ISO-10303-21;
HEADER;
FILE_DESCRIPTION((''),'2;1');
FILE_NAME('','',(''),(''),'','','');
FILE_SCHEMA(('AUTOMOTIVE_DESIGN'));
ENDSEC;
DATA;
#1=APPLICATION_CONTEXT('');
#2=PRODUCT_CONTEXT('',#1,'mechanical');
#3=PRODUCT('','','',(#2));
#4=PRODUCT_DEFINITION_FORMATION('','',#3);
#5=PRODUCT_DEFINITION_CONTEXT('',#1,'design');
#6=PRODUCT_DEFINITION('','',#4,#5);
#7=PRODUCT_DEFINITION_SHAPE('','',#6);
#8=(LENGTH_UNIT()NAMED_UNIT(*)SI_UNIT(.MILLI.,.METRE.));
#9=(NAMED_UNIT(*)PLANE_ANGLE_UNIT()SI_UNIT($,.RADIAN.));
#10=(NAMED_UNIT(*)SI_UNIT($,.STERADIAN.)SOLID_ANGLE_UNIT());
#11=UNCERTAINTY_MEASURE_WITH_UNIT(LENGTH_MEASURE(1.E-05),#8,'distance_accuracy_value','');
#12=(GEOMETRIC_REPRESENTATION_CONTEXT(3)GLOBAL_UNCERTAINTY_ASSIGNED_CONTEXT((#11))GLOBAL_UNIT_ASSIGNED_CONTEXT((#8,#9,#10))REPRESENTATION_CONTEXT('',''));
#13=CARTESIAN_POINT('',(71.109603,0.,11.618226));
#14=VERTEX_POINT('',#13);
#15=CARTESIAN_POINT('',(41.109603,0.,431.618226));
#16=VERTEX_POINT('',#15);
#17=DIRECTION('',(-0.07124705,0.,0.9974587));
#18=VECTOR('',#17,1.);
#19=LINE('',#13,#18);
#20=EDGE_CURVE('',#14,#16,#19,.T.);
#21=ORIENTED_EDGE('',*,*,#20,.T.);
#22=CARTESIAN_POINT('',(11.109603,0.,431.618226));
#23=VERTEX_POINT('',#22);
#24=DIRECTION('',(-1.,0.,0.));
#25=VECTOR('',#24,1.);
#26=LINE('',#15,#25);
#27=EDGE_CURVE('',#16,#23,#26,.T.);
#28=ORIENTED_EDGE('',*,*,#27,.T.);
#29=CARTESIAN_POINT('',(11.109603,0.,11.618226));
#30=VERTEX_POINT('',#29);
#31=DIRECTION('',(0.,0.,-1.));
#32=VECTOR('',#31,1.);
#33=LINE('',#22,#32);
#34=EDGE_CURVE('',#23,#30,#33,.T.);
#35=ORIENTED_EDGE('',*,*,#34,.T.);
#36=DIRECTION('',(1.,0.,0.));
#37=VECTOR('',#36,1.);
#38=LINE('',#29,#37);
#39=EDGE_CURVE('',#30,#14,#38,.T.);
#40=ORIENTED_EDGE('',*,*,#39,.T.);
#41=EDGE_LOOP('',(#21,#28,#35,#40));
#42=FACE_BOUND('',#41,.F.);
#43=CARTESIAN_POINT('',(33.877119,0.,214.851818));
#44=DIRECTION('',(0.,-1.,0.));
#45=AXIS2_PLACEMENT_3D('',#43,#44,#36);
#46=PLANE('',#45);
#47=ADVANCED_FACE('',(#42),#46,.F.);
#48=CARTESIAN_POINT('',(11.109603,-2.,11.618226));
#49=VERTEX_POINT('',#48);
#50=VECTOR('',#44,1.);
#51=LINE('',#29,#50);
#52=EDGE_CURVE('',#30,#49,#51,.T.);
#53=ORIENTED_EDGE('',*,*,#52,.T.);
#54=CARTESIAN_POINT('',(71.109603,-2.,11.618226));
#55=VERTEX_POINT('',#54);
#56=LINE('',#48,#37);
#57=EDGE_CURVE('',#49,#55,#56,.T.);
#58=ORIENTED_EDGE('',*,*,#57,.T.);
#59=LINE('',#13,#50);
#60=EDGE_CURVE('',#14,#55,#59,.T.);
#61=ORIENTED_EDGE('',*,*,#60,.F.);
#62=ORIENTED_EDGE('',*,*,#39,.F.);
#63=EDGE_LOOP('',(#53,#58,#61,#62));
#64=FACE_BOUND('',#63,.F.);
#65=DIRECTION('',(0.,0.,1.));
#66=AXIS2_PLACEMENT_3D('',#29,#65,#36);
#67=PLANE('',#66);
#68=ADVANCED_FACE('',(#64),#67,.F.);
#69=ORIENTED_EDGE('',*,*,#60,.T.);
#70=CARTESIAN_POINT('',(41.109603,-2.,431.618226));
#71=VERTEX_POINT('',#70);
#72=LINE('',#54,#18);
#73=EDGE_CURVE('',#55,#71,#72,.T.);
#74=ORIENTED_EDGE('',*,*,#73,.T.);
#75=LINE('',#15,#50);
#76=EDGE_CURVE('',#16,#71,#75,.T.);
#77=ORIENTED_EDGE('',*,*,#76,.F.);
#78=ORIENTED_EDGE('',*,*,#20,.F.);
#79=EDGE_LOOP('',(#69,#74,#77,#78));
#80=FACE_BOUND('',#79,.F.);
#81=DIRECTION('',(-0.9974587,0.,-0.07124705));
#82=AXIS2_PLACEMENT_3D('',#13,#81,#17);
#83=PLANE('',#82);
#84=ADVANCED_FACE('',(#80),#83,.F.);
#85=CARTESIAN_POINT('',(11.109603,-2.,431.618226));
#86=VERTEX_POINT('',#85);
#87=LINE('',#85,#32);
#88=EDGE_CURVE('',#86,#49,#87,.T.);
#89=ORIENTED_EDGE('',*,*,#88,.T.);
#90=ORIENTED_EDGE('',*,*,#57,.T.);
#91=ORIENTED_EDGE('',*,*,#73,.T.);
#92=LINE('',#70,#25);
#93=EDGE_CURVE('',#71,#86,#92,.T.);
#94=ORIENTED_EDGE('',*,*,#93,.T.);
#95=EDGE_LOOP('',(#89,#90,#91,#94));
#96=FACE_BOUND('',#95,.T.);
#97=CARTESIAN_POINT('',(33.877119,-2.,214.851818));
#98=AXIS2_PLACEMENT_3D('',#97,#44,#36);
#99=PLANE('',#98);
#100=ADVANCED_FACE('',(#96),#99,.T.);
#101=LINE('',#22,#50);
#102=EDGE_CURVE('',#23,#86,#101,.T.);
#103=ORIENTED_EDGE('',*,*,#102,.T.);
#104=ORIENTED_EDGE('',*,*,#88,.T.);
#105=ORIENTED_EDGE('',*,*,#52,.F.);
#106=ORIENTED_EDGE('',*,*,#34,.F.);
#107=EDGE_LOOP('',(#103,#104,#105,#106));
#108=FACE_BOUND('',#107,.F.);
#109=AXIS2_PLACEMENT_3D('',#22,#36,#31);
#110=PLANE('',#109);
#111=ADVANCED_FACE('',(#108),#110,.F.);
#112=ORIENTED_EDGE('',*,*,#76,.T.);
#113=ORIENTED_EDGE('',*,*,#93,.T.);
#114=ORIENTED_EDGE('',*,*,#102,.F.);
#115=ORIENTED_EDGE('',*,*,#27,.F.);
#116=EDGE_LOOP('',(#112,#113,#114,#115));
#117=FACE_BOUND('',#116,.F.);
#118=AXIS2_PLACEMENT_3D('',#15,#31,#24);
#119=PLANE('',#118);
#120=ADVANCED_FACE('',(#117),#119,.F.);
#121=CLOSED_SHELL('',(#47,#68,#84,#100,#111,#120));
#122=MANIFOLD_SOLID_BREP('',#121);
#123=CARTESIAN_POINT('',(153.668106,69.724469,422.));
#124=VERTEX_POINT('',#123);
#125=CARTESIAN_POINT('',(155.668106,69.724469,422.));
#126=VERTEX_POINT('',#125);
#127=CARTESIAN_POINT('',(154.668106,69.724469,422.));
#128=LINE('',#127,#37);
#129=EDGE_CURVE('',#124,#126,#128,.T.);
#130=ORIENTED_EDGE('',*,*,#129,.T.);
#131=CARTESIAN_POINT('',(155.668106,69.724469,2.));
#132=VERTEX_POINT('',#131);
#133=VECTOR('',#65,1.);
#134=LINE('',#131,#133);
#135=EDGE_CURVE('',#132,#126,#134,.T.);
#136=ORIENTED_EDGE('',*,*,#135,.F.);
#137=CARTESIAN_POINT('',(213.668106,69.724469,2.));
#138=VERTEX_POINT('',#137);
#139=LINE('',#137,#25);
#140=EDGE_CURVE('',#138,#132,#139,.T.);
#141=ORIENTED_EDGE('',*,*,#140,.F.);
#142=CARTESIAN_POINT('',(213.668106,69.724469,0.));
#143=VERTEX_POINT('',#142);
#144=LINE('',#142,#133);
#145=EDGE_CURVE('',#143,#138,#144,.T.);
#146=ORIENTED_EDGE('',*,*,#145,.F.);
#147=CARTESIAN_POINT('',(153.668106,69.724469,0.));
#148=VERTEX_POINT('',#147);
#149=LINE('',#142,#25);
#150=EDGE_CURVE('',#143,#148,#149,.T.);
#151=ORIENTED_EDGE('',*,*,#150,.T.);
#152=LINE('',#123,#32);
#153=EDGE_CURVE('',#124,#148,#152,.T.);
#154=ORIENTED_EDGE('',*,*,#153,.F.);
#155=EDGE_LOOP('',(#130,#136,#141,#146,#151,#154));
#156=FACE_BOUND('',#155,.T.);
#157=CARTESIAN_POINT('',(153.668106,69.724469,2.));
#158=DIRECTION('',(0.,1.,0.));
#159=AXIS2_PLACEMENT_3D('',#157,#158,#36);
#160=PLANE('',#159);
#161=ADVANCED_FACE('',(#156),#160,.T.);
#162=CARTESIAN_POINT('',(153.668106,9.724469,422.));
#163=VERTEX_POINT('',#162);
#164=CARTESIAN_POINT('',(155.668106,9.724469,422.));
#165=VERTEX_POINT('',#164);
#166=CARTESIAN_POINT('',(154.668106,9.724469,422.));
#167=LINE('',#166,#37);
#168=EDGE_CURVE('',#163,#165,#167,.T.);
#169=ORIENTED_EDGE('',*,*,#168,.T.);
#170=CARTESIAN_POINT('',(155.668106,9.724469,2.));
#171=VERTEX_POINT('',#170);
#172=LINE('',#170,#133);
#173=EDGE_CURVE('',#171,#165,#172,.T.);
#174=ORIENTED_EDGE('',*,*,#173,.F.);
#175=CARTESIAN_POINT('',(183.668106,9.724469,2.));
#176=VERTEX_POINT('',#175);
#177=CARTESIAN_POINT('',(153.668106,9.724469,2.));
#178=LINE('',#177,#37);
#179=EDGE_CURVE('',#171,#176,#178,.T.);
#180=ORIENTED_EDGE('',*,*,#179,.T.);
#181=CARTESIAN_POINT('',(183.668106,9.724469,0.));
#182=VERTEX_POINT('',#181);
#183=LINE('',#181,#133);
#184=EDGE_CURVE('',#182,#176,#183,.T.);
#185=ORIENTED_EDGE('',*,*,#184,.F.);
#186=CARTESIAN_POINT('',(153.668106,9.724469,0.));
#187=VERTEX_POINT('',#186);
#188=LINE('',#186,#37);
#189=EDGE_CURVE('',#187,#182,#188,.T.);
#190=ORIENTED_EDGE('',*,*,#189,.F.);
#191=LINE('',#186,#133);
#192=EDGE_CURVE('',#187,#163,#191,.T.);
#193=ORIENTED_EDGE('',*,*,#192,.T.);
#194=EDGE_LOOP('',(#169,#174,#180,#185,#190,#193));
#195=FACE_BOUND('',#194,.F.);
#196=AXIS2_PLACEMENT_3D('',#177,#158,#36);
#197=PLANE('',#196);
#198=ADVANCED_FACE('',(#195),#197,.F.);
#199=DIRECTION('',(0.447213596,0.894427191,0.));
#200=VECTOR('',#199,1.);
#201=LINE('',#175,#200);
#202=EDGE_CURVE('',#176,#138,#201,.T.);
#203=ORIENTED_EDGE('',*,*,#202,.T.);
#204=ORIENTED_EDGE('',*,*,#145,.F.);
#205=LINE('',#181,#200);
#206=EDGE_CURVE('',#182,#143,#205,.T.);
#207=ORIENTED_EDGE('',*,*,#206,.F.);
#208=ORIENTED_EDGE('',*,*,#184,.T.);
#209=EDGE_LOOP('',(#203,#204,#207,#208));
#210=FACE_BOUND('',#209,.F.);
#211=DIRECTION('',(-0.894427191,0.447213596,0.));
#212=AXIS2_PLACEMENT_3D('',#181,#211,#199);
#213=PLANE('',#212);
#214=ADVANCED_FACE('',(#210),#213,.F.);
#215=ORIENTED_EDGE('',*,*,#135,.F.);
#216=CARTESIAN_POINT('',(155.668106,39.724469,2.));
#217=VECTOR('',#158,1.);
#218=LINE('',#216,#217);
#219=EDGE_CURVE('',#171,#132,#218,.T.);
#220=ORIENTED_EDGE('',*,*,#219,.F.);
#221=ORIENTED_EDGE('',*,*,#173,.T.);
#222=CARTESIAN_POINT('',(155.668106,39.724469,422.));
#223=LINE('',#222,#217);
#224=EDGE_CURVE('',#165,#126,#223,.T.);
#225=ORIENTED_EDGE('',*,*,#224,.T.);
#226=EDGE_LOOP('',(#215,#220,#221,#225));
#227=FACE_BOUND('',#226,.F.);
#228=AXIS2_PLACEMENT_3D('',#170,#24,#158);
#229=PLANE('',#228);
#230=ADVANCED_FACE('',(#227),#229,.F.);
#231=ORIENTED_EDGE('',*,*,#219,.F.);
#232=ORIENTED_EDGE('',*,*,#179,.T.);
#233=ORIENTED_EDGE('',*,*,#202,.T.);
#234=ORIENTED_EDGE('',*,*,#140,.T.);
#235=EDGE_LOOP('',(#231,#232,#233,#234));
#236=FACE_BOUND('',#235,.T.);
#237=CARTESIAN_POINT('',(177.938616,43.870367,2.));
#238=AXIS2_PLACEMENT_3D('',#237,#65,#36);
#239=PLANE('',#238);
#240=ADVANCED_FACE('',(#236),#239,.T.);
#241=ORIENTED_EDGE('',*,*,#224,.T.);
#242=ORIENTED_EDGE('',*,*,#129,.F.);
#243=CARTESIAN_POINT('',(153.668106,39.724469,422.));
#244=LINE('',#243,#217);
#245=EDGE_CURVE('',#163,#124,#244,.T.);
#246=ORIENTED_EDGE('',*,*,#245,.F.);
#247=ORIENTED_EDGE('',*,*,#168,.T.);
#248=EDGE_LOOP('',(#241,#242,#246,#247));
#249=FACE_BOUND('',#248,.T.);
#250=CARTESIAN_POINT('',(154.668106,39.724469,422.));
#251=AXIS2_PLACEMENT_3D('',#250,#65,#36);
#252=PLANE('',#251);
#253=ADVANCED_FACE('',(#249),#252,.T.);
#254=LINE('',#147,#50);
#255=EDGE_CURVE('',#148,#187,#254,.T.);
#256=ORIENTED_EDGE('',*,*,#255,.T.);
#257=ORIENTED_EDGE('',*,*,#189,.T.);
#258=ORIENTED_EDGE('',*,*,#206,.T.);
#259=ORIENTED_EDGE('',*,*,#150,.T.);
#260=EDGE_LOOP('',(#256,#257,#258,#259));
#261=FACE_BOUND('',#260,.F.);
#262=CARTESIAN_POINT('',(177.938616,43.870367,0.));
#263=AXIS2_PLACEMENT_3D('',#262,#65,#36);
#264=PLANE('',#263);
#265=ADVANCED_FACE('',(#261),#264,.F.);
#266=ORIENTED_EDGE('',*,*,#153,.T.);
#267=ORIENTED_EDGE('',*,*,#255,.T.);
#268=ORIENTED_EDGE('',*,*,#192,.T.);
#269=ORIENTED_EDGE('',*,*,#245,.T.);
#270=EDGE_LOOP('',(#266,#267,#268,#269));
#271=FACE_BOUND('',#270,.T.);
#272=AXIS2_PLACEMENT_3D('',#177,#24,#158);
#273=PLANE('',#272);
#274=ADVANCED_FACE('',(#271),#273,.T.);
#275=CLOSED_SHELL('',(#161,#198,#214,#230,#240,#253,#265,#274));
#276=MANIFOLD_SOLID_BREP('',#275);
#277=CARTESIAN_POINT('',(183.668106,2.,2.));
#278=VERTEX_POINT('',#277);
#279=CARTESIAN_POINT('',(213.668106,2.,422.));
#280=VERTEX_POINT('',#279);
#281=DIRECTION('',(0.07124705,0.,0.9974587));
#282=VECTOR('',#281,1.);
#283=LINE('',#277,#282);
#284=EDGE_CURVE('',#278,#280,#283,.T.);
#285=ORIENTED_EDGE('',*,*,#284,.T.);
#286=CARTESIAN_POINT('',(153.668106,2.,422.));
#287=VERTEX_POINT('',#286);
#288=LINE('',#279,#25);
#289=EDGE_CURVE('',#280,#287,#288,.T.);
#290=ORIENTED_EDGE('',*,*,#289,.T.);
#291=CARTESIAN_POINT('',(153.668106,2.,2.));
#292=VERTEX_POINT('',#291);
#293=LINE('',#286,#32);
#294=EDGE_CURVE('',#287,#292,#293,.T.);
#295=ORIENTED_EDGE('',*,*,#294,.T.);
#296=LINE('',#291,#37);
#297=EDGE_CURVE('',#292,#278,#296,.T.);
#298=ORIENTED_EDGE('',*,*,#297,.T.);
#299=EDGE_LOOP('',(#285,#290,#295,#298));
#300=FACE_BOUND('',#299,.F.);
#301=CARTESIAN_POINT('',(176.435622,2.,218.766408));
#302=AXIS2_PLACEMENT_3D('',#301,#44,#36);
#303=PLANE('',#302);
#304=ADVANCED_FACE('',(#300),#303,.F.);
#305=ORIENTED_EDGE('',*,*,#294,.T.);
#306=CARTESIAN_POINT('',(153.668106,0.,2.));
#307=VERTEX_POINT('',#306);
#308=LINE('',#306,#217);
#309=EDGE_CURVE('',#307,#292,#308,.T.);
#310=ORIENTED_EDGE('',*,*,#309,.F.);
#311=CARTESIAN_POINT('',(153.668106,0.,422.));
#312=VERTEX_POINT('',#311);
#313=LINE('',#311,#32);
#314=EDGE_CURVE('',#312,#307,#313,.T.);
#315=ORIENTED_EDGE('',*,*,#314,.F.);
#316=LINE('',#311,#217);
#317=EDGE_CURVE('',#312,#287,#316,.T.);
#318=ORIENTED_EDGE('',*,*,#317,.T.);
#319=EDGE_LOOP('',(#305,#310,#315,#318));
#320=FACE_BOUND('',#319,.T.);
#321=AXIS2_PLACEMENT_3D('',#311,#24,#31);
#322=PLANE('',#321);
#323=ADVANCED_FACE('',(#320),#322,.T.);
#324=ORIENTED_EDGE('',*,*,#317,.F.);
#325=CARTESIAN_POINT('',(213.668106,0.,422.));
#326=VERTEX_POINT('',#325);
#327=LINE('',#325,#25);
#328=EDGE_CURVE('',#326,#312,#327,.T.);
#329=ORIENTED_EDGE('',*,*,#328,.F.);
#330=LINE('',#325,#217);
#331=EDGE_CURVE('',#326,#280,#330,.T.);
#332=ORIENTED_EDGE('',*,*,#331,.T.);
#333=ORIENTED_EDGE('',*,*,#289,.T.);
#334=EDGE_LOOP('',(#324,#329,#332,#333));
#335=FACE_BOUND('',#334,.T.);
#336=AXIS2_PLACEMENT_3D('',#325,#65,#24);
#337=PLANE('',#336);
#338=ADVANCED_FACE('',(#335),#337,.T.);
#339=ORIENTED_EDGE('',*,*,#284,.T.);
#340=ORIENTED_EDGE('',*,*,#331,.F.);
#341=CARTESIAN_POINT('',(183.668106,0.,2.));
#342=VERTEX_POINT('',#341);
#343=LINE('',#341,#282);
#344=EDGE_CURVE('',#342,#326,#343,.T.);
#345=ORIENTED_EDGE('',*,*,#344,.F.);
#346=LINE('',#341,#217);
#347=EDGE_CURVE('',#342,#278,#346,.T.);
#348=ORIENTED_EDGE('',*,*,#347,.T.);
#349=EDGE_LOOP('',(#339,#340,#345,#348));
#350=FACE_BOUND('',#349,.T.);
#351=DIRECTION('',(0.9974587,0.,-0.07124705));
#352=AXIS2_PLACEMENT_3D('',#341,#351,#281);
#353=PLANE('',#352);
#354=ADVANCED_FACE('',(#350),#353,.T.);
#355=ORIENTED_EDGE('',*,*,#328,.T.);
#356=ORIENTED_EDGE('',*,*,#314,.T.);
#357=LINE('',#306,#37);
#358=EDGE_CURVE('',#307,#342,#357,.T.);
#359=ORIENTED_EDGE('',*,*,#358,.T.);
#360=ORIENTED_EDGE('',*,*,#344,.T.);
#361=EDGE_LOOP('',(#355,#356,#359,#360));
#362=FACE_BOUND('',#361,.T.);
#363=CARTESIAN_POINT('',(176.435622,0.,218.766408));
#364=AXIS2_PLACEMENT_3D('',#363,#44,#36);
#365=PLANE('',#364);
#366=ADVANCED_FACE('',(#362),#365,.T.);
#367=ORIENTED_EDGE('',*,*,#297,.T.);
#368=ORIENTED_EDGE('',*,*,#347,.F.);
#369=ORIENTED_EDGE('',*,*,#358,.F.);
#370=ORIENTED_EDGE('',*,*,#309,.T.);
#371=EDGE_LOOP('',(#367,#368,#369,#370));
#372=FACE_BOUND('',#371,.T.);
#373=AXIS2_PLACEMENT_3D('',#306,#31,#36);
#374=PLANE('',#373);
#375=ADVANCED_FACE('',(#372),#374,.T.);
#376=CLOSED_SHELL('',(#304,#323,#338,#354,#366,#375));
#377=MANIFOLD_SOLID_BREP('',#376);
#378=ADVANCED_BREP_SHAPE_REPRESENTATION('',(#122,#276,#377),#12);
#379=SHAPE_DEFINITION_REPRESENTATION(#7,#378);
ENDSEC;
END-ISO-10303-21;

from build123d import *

# Parameters (mm, degrees)
F1_DEPTH = 2
F3_DEPTH = 2
F5_DEPTH = 2
F6_W     = 2
F6_H     = 60
F7_DEPTH = 420


with BuildPart() as f1:
    # F0 (on Top) → F1 (new body)
    with BuildSketch(Plane.XY):
        Polygon((213.668106, 69.724469), (153.668106, 69.724469), (153.668106, 9.724469), (183.668106, 9.724469), align=None)
    extrude(amount=F1_DEPTH)

    # F6 (on face) → F7 (join)
    with BuildSketch(Plane.XY.offset(2)):
        with Locations((154.668106, 39.724469)):
            Rectangle(F6_W, F6_H)
    extrude(amount=F7_DEPTH)


with BuildPart() as f3:
    # F2 (on Front) → F3 (new body)
    with BuildSketch(Plane.XZ):
        Polygon((153.668106, 2), (183.668106, 2), (213.668106, 422), (153.668106, 422), align=None)
    extrude(amount=-F3_DEPTH)


with BuildPart() as f5:
    # F4 (on Front) → F5 (new body)
    with BuildSketch(Plane.XZ):
        Polygon((11.109603, 11.618226), (71.109603, 11.618226), (41.109603, 431.618226), (11.109603, 431.618226), align=None)
    extrude(amount=F5_DEPTH)


solid = Compound([f1.part, f3.part, f5.part])
